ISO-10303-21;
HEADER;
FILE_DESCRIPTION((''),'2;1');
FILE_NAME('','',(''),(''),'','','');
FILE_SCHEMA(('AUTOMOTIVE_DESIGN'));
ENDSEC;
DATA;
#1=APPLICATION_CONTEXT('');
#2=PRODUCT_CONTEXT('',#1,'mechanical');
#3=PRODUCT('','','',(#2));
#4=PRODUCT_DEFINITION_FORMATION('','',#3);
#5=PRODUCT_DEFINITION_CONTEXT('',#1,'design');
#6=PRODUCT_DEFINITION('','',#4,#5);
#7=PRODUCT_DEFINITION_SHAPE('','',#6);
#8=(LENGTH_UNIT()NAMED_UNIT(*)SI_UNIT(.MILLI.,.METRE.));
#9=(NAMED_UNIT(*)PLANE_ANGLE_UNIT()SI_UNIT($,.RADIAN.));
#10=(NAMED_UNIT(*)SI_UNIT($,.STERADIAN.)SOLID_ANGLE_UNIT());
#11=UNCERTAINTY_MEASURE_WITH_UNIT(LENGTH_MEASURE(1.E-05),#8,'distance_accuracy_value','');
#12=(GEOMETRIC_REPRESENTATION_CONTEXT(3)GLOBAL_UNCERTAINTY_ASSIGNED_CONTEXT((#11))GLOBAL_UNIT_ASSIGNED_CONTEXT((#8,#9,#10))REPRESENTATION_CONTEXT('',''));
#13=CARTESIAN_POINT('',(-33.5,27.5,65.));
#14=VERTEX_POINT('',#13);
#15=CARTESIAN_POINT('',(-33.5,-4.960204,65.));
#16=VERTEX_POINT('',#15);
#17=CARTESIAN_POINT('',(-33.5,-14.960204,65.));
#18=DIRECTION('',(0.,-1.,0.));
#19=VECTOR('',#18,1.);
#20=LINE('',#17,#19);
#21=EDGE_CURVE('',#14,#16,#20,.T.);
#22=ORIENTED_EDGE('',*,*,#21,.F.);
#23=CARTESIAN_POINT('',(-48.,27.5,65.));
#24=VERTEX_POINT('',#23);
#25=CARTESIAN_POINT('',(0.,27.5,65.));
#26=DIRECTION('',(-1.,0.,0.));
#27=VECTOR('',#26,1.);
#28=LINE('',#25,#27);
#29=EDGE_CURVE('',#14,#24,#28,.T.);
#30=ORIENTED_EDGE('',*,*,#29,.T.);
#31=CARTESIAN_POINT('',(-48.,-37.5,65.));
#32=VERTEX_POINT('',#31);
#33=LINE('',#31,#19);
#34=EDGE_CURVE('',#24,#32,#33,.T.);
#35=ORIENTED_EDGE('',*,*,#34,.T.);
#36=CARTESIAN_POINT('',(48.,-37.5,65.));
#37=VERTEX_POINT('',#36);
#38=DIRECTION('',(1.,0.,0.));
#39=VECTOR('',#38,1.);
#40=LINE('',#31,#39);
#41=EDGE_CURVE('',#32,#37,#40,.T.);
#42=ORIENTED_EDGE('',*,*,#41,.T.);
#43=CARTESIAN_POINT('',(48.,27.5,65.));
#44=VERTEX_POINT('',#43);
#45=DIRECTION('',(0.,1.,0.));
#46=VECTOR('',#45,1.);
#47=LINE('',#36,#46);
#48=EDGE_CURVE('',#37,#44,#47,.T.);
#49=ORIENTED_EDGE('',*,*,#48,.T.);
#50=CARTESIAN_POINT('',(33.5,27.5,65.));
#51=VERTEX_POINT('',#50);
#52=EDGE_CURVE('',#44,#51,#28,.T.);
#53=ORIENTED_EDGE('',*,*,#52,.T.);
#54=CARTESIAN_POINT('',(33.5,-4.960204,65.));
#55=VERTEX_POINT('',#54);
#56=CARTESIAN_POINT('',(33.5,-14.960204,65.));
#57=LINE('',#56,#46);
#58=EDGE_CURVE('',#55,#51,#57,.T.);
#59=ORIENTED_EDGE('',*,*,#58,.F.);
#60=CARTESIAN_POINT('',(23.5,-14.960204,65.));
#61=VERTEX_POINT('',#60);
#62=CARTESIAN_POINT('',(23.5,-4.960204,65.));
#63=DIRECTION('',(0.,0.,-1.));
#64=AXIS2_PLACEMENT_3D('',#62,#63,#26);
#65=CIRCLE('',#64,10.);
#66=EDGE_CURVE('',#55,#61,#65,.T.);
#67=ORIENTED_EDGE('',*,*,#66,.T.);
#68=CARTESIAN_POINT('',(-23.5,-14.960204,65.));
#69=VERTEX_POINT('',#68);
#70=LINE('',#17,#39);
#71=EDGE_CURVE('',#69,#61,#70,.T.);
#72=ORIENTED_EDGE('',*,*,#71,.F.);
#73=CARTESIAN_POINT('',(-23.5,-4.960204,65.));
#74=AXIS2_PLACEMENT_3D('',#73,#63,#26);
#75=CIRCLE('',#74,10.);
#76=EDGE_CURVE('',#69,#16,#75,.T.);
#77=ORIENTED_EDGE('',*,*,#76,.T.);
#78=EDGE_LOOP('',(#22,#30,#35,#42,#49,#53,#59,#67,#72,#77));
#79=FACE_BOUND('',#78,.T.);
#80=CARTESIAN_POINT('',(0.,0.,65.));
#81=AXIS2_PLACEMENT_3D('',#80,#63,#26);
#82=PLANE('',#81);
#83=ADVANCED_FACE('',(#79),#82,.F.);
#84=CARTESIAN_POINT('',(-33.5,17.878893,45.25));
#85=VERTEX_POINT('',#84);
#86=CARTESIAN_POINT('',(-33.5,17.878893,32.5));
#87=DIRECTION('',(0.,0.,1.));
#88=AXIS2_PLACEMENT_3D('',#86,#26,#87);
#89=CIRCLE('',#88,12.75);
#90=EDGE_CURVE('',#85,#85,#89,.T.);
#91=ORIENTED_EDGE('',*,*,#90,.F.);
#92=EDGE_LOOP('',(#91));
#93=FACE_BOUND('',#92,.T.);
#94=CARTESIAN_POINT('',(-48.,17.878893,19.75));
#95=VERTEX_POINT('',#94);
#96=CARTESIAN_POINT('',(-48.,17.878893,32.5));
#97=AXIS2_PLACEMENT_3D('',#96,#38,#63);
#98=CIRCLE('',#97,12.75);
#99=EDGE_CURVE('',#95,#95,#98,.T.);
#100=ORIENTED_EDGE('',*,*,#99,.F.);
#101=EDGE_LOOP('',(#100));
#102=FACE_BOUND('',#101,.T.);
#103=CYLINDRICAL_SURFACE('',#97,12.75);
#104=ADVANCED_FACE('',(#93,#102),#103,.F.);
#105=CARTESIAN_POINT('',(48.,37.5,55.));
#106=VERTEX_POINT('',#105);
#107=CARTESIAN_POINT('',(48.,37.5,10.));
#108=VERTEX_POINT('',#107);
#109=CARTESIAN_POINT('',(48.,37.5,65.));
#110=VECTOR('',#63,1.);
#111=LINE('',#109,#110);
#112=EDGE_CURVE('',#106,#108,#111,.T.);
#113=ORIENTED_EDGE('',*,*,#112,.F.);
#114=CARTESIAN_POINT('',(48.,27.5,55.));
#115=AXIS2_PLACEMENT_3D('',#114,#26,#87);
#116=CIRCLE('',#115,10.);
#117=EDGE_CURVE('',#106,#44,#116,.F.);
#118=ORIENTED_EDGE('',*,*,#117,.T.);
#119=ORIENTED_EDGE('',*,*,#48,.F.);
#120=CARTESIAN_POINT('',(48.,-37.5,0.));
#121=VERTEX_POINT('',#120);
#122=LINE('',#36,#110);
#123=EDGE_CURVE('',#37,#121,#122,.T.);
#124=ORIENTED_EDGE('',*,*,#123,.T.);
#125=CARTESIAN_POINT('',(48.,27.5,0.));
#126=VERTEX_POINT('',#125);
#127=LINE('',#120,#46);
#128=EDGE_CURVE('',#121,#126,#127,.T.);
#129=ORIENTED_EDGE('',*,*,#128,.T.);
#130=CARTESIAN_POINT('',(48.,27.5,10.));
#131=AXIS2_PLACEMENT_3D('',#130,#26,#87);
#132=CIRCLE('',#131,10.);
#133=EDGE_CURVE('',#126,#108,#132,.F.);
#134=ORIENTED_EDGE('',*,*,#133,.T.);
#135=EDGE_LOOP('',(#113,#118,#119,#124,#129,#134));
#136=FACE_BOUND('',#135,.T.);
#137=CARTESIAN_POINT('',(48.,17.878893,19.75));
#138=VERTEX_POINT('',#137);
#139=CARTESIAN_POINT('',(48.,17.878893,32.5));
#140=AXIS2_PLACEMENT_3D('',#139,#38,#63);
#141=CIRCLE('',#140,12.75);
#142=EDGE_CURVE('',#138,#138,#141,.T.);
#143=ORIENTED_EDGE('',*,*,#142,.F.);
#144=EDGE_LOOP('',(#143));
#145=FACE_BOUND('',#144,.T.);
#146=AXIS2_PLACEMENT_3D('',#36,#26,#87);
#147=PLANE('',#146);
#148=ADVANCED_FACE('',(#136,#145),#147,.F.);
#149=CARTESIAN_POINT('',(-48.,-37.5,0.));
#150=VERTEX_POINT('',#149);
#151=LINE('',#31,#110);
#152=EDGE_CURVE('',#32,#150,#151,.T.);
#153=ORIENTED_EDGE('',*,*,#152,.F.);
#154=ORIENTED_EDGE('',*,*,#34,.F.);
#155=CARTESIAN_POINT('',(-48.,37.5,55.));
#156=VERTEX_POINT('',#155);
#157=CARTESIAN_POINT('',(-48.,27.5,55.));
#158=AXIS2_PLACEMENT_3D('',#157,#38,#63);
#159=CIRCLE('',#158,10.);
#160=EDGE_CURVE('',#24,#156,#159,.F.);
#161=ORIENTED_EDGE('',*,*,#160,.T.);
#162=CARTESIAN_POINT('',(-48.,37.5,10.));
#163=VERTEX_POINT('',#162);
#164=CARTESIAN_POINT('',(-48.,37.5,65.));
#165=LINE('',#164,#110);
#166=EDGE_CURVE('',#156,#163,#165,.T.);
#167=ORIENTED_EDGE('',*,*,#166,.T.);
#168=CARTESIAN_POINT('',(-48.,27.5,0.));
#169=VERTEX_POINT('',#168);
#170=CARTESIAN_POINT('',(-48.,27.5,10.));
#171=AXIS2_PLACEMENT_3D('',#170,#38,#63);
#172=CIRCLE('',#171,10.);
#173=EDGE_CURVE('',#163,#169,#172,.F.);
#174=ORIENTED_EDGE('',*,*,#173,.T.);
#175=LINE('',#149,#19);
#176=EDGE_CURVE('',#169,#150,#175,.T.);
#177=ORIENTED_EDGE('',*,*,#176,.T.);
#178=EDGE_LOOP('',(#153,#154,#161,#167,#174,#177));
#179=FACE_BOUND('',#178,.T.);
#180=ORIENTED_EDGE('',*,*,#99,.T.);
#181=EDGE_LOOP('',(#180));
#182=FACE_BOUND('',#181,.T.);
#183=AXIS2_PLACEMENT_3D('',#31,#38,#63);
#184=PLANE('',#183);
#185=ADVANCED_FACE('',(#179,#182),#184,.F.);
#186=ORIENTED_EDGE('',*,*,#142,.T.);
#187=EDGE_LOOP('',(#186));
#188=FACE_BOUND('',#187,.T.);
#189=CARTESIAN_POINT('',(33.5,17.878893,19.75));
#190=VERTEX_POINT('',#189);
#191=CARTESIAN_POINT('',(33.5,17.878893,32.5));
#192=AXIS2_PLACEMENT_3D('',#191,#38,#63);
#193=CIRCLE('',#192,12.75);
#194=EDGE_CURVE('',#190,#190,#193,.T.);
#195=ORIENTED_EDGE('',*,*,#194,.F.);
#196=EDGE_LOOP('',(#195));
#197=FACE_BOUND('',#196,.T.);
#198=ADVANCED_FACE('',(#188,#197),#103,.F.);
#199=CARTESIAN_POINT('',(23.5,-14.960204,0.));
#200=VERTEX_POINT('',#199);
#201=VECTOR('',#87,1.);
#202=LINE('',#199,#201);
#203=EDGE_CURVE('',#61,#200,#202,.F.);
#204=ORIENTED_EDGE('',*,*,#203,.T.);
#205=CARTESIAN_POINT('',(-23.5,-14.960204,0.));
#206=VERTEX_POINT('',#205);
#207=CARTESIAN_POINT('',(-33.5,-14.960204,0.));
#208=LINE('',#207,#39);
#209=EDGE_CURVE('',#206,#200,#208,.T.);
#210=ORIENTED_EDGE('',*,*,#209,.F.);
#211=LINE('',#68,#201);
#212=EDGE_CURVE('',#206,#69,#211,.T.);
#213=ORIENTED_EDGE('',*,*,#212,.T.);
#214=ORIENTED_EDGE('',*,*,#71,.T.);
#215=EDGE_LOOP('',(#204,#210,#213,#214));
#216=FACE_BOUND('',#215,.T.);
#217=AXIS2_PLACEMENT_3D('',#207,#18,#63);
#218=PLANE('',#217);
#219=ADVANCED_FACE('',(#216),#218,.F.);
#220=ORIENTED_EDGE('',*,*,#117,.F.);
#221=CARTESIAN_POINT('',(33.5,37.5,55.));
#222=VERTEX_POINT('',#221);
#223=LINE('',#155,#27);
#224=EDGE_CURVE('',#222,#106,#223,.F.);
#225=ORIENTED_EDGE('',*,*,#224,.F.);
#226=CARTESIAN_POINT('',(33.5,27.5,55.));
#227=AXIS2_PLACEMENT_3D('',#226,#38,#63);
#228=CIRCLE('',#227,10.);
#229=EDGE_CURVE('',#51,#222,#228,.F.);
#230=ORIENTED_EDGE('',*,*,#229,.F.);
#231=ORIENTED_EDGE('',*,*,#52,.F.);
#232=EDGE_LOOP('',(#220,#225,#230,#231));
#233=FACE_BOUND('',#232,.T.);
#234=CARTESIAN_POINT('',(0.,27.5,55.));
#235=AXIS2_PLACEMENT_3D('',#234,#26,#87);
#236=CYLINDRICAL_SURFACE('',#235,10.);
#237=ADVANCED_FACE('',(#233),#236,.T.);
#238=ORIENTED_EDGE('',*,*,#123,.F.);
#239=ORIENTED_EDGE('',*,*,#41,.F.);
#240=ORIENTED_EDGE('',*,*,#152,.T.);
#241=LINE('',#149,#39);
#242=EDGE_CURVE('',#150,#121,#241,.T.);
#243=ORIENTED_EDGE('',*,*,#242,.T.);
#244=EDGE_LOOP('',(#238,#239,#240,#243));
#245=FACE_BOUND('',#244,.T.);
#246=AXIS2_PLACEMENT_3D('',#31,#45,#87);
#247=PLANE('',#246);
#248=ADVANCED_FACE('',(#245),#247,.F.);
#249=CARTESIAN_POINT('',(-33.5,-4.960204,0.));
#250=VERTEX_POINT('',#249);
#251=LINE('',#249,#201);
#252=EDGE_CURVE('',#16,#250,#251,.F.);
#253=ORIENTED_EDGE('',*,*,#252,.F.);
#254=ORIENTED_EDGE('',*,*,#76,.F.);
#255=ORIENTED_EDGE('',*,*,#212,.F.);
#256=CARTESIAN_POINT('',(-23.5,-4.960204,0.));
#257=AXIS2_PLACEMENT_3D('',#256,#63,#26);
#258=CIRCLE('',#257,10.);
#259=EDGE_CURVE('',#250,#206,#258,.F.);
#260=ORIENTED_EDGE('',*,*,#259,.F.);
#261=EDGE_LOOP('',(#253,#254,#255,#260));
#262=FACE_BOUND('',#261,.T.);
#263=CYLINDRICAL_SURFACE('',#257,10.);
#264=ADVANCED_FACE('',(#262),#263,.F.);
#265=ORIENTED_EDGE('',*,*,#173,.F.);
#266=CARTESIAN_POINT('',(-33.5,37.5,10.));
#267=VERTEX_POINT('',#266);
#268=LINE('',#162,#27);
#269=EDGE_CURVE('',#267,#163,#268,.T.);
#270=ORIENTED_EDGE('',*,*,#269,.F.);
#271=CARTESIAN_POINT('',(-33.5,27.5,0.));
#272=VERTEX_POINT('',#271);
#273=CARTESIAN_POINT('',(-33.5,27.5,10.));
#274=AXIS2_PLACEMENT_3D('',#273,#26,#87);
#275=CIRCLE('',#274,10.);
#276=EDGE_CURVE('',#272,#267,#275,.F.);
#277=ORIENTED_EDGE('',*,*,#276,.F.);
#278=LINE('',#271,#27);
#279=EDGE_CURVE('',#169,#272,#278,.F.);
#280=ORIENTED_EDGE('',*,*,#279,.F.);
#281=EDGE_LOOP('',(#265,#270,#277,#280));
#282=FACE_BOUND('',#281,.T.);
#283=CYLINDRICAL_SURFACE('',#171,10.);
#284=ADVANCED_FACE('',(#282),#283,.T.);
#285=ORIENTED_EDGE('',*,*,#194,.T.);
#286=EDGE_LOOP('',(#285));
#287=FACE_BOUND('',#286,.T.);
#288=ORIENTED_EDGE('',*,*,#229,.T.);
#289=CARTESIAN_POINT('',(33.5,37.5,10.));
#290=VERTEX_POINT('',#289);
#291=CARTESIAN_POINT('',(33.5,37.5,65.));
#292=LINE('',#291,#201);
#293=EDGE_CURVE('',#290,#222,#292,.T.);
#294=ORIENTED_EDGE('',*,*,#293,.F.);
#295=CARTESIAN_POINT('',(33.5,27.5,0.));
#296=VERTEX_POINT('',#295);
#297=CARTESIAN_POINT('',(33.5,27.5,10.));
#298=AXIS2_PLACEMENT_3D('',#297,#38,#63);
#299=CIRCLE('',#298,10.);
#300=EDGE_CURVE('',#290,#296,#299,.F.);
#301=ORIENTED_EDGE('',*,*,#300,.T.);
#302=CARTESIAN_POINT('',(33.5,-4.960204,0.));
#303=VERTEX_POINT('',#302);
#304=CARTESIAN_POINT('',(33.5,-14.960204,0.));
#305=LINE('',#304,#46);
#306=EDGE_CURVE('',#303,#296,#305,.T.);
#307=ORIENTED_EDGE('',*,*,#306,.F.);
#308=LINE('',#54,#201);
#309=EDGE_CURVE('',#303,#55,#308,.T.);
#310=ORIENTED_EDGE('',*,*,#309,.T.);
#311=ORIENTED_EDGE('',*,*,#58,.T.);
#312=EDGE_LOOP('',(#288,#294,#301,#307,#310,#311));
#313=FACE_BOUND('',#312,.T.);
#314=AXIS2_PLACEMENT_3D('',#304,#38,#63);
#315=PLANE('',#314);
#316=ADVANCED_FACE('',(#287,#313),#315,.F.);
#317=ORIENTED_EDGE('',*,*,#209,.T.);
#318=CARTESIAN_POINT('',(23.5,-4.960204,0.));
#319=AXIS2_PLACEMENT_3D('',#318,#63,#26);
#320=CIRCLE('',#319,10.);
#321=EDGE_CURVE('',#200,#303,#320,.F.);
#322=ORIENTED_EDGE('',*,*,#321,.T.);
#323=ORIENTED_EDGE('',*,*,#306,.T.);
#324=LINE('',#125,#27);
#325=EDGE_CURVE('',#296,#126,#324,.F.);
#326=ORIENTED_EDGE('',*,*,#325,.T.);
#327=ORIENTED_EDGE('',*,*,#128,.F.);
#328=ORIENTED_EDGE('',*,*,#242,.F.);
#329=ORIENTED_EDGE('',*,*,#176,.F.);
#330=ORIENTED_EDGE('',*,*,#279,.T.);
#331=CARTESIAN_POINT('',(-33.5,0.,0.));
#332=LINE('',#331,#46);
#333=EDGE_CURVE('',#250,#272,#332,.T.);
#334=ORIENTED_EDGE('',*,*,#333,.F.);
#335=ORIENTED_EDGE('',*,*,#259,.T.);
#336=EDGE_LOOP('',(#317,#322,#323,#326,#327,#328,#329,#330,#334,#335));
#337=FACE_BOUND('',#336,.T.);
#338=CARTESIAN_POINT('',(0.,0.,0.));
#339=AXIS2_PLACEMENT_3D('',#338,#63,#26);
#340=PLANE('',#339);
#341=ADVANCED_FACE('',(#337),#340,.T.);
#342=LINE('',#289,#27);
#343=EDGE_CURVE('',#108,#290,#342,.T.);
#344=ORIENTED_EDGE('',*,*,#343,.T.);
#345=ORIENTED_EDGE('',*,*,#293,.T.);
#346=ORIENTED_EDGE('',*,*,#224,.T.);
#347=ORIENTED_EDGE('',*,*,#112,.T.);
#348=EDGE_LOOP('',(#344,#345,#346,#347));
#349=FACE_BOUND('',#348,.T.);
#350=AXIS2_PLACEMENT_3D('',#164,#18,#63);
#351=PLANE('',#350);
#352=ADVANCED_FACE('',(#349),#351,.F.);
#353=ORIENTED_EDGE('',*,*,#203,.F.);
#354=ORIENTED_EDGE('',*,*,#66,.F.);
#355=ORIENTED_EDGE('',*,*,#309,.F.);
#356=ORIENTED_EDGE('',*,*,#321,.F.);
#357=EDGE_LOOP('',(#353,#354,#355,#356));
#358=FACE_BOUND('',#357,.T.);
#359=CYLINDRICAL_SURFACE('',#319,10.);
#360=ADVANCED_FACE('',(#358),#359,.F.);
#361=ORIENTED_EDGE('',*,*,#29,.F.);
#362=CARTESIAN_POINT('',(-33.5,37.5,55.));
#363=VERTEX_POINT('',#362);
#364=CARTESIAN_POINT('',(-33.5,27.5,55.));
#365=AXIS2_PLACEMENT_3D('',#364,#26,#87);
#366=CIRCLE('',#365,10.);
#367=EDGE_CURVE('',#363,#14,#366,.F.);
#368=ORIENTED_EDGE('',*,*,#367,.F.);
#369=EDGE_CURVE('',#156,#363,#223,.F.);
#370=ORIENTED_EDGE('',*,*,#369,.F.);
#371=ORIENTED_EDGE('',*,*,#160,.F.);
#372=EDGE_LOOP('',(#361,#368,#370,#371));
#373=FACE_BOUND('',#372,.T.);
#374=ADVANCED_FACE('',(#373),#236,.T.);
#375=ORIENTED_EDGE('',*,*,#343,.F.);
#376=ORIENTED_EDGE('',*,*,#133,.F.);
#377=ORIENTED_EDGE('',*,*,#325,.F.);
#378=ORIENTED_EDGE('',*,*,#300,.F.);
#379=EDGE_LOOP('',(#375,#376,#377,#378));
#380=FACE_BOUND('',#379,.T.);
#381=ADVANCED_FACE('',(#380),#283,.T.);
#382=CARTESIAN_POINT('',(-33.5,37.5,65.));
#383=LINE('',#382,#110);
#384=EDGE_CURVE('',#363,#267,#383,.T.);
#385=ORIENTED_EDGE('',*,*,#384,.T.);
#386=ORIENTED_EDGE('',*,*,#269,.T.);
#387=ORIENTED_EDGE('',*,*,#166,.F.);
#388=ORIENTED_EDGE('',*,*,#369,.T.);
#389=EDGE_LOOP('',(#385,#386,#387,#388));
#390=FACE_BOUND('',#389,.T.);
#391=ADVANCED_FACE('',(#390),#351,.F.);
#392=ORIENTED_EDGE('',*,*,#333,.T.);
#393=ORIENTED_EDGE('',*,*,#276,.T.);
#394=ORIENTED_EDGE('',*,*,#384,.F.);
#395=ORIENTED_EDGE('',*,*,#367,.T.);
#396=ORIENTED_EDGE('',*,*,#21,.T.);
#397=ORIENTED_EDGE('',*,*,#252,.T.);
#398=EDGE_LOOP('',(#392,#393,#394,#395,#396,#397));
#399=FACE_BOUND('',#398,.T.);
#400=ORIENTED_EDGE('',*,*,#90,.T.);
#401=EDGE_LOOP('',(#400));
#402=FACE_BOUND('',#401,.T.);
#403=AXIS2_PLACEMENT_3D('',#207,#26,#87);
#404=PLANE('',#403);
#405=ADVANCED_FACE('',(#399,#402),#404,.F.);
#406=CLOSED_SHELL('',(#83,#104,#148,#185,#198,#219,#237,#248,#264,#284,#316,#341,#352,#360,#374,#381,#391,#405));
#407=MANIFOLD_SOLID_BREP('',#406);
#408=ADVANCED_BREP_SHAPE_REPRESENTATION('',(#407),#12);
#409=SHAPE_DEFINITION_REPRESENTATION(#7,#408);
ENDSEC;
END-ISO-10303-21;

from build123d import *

# Parameters (mm, degrees)
SKETCH1_W               = 96
SKETCH1_H               = 75
BOSS_EXTRUDE1_DEPTH     = 65
SKETCH2_W               = 67
SKETCH2_H               = 104.92040837
CUT_EXTRUDE1_DEPTH      = 90.080020207
CUT_EXTRUDE2_DEPTH      = 111.785829419
CUT_EXTRUDE2_DEPTH_BACK = 111.785829419
SKETCH3_R               = 12.75
FILLET1_R               = 10


with BuildPart() as part:
    # Sketch1 → Boss-Extrude1 (new body)
    with BuildSketch(Plane.XY):
        Rectangle(SKETCH1_W, SKETCH1_H)
    extrude(amount=BOSS_EXTRUDE1_DEPTH)

    # Sketch2 → Cut-Extrude1 (cut, through all)
    with BuildSketch(Plane.XY.offset(65)):
        with Locations((0, 37.5)):
            Rectangle(SKETCH2_W, SKETCH2_H)
    extrude(amount=-CUT_EXTRUDE1_DEPTH, mode=Mode.SUBTRACT)

    # Sketch3 → Cut-Extrude2 (cut, two sides: drawn at the far end of the back side and taken through both)
    with BuildSketch(Plane(origin=(-33.5, 0, 0), x_dir=(0, 0, -1), z_dir=(1, 0, 0)).offset(-CUT_EXTRUDE2_DEPTH_BACK)):
        with Locations((-32.5, 17.878893252)):
            Circle(SKETCH3_R)
    extrude(amount=CUT_EXTRUDE2_DEPTH + CUT_EXTRUDE2_DEPTH_BACK, mode=Mode.SUBTRACT)

    # Fillet1
    fillet1_edges = [part.edges().sort_by_distance(p)[0] for p in [
        (-40.75, 37.5, 0),
        (-40.75, 37.5, 65),
        (-33.5, -14.960204185, 32.5),
        (33.5, -14.960204185, 32.5),
        (40.75, 37.5, 0),
        (40.75, 37.5, 65),
    ]]
    fillet(fillet1_edges, radius=FILLET1_R)


solid = part.part
